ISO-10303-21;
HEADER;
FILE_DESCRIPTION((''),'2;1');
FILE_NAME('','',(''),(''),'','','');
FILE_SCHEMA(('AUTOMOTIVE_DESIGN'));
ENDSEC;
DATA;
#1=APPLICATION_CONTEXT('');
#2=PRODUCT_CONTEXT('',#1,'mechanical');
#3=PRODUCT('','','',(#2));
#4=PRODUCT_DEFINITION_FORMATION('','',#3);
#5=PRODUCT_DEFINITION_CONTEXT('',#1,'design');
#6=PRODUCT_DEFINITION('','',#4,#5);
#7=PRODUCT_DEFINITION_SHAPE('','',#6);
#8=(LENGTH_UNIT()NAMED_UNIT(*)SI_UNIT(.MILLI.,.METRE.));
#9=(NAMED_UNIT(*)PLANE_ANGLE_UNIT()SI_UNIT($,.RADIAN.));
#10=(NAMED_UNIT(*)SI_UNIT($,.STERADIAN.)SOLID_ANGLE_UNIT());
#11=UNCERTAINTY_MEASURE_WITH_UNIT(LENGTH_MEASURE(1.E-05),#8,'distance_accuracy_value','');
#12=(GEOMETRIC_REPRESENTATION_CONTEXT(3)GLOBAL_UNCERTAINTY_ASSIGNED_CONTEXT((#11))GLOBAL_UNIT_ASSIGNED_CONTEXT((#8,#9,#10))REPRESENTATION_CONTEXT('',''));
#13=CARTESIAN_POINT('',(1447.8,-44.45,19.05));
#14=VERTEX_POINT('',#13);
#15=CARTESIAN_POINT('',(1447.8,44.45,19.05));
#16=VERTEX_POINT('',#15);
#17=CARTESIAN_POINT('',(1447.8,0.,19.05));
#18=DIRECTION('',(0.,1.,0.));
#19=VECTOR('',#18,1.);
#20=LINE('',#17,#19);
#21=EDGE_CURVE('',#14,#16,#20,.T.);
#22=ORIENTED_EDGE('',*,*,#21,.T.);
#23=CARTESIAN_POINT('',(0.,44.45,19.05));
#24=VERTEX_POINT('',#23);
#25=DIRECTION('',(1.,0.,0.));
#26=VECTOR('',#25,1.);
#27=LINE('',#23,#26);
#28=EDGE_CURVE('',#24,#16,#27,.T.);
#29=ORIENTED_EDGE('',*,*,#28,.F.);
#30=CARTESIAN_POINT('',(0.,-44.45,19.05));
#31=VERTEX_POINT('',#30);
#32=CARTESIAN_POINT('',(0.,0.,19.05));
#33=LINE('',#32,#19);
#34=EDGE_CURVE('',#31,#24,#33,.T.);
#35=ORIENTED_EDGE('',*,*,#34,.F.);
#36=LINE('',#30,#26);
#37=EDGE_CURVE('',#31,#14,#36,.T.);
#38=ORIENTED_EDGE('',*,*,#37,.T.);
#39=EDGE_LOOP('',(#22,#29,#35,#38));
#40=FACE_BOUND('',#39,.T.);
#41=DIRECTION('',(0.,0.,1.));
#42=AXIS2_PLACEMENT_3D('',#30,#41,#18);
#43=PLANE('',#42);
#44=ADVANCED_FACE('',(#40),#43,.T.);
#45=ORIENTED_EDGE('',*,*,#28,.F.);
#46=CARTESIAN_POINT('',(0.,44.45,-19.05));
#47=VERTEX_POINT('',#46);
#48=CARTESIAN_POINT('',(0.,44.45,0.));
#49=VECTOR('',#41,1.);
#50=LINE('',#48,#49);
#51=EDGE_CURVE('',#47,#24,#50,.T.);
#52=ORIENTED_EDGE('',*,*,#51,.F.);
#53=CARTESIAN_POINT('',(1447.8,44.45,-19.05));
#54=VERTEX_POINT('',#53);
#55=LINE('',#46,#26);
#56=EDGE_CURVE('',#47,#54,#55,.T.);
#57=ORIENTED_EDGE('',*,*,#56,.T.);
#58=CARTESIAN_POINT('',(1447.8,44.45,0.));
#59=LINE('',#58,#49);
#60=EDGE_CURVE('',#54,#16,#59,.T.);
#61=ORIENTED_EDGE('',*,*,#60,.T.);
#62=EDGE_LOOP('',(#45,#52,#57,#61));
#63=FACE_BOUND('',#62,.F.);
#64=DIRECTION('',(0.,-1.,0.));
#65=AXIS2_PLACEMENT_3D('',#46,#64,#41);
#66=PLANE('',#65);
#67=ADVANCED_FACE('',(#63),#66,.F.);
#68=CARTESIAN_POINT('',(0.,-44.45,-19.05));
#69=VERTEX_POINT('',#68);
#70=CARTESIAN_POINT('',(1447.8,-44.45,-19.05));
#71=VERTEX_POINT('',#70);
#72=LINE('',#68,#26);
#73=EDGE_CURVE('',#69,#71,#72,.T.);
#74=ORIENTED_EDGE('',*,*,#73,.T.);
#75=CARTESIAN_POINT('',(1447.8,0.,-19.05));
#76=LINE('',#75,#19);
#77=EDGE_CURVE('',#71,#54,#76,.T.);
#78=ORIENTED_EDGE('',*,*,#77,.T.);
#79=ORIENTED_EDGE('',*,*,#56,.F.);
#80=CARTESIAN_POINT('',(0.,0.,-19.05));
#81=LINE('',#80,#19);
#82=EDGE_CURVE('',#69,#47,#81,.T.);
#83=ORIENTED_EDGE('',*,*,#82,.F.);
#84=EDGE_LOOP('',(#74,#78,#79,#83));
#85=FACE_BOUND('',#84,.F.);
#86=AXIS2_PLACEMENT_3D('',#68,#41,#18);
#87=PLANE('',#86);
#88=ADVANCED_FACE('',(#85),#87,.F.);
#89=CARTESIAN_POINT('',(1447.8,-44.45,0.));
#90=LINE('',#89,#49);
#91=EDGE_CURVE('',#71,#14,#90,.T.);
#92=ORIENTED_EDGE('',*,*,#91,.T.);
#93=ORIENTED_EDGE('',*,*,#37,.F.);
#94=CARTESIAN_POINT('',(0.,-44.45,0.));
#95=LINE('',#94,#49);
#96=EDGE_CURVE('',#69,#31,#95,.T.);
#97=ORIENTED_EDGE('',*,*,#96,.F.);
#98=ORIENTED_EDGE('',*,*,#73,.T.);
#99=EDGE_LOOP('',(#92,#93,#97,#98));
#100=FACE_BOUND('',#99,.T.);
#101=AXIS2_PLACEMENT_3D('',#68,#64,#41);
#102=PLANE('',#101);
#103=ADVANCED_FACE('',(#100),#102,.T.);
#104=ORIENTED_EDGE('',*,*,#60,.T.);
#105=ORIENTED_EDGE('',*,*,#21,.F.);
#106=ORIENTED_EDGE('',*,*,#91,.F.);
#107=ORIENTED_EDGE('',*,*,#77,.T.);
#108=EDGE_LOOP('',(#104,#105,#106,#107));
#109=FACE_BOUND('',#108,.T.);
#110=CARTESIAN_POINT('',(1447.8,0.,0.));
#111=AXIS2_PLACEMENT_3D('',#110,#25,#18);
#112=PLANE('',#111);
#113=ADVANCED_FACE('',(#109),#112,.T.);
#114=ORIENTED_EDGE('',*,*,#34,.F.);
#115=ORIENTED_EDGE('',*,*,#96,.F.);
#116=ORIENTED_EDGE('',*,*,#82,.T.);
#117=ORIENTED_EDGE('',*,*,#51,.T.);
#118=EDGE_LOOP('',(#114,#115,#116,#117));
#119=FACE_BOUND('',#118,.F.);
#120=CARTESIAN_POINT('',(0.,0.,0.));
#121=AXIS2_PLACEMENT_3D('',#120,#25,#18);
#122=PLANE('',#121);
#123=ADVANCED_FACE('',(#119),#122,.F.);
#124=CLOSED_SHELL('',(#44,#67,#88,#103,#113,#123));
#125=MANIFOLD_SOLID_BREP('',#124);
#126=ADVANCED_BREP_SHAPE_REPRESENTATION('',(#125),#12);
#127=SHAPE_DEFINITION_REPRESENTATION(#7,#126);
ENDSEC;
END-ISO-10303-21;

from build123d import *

# Parameters (mm, degrees)
F0_W     = 88.9
F0_H     = 38.1
F1_DEPTH = 1447.8


with BuildPart() as f1:
    # F0 (on Right) → F1 (new body)
    with BuildSketch(Plane.YZ):
        Rectangle(F0_W, F0_H)
    extrude(amount=F1_DEPTH)


solid = f1.part
